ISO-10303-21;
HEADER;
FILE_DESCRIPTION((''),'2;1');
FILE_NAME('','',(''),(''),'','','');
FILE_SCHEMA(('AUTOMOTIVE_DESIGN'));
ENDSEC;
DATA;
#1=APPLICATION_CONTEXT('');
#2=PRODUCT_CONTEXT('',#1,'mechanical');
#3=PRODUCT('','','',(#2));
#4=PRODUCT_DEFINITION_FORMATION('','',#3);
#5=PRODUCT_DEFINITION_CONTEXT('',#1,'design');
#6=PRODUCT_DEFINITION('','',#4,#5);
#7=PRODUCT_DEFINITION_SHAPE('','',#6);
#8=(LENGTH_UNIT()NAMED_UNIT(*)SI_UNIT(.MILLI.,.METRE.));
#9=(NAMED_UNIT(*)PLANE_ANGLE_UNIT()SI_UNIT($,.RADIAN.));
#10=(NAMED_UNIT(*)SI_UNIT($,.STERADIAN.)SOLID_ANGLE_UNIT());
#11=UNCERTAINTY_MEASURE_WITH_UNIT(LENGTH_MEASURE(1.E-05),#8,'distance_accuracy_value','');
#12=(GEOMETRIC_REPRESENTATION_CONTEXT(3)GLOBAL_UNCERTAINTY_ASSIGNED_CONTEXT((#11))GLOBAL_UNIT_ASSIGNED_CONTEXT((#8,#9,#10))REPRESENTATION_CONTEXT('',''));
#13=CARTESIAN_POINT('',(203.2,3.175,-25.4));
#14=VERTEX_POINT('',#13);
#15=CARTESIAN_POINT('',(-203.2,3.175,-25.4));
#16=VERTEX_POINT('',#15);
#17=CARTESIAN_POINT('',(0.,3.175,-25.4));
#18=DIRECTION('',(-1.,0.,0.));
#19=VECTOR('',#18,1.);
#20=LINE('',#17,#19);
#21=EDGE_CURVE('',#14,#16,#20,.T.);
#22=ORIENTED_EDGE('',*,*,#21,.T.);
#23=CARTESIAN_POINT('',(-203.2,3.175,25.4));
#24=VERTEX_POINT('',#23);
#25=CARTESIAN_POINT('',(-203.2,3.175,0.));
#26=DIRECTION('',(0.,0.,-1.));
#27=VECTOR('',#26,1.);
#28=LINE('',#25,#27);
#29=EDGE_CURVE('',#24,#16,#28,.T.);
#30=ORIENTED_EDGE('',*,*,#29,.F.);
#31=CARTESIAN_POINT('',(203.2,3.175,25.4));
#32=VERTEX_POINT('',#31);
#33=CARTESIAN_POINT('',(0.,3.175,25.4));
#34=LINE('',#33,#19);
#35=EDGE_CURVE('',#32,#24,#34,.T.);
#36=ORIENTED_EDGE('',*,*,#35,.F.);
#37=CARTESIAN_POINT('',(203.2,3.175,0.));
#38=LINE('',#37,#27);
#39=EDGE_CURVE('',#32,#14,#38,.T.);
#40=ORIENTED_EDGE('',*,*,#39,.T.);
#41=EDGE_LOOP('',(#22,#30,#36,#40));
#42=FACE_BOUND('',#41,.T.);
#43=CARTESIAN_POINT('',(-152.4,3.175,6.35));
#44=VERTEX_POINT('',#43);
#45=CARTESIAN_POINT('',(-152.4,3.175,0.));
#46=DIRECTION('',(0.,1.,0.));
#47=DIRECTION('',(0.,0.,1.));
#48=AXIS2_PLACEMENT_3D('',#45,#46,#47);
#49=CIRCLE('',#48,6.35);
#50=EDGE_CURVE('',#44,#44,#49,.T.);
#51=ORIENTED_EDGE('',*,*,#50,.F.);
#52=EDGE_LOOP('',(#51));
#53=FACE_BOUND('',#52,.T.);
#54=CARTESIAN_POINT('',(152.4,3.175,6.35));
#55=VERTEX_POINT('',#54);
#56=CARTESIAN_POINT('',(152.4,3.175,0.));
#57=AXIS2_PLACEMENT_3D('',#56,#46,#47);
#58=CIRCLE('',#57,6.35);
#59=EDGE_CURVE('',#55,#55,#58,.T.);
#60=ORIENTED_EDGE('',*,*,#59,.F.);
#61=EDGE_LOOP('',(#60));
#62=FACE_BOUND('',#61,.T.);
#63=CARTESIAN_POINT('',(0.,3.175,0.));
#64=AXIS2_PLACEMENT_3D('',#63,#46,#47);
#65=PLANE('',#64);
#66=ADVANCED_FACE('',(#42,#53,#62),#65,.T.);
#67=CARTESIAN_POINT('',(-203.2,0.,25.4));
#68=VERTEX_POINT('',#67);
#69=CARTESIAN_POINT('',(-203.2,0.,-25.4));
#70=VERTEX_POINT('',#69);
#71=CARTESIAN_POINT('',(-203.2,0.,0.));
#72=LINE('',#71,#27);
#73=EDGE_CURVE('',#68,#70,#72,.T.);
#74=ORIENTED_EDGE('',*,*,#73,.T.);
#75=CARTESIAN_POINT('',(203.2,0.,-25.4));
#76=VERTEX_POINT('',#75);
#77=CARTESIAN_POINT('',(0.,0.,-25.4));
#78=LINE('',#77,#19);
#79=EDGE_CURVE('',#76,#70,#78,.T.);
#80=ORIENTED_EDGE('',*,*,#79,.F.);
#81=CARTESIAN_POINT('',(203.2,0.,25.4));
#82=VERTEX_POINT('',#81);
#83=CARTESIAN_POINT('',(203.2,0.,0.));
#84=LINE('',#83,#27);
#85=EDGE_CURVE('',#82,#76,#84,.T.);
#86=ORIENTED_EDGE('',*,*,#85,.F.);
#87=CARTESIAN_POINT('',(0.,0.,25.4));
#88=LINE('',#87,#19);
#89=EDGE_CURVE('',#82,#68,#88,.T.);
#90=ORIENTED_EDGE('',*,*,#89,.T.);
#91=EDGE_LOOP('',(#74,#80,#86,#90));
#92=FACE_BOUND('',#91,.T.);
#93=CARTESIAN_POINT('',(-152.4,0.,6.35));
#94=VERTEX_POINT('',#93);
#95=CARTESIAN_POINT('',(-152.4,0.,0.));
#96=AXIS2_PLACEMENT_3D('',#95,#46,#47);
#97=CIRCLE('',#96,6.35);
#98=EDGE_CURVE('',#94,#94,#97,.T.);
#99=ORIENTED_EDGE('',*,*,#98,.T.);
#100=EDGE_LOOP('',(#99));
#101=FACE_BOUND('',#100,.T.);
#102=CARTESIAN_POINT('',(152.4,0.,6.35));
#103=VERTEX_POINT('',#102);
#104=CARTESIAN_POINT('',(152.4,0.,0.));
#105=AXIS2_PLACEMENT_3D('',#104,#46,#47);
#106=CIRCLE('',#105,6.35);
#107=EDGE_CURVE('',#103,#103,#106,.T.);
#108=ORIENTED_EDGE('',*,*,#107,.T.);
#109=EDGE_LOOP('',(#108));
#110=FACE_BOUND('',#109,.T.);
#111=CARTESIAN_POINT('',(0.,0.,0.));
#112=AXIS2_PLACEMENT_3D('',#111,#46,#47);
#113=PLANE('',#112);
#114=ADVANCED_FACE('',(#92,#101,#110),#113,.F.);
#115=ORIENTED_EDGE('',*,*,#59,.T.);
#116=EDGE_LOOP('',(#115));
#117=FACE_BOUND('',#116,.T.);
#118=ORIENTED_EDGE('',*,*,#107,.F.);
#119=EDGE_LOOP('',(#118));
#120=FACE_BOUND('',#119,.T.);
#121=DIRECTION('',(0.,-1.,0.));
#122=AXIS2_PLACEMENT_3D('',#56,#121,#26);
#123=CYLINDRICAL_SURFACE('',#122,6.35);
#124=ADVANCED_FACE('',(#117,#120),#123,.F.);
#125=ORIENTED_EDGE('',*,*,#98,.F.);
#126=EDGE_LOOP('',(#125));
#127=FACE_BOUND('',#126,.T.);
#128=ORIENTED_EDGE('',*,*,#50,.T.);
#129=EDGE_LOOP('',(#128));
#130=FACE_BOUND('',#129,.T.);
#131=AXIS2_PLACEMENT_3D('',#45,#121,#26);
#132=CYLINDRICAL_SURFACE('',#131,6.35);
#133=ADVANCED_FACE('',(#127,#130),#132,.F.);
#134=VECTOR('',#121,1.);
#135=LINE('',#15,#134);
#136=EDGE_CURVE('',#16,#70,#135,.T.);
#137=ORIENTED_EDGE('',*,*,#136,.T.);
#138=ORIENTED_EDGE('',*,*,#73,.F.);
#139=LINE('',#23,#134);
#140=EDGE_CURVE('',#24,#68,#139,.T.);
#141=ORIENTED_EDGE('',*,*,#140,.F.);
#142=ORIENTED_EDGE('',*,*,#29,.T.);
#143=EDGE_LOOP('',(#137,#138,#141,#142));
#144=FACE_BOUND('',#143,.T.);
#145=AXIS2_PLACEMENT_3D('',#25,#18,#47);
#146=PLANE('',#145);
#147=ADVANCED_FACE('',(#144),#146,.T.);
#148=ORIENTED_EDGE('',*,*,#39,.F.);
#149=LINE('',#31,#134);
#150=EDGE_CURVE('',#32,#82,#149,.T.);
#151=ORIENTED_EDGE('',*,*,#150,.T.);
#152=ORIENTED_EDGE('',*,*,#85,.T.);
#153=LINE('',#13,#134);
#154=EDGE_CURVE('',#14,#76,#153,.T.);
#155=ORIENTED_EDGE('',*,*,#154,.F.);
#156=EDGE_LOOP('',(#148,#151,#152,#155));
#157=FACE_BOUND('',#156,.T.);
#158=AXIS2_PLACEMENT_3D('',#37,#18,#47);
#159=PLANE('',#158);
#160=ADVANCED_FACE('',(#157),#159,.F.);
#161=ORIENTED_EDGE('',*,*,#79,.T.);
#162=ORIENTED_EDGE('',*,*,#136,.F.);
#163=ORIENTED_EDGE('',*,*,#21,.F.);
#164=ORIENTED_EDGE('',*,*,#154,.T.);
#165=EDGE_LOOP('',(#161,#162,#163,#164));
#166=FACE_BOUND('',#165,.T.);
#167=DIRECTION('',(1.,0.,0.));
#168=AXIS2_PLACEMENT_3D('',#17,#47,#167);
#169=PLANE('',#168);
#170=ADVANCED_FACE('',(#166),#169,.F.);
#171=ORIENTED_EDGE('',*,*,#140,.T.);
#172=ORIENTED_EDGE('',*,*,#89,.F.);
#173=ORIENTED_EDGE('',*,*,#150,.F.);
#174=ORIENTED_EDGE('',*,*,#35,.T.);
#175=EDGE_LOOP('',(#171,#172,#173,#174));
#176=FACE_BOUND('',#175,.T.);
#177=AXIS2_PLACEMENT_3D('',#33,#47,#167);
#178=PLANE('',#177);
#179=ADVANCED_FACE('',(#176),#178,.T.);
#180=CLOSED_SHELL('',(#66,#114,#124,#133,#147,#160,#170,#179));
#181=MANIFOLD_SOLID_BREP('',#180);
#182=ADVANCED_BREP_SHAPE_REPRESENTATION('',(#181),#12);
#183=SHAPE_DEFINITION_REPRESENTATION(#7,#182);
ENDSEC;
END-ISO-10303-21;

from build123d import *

# Parameters (mm, degrees)
SKETCH1_W           = 406.4
SKETCH1_H           = 50.8
SKETCH1_R           = 6.35
BOSS_EXTRUDE1_DEPTH = 3.175


with BuildPart() as part:
    # Sketch1 → Boss-Extrude1 (new body)
    with BuildSketch(Plane(origin=(0, 0, 0), x_dir=(1, 0, 0), z_dir=(0, 1, 0))):
        Rectangle(SKETCH1_W, SKETCH1_H)
        with Locations((-152.4, 0)):
            Circle(SKETCH1_R, mode=Mode.SUBTRACT)
        with Locations((152.4, 0)):
            Circle(SKETCH1_R, mode=Mode.SUBTRACT)
    extrude(amount=BOSS_EXTRUDE1_DEPTH)


solid = part.part
